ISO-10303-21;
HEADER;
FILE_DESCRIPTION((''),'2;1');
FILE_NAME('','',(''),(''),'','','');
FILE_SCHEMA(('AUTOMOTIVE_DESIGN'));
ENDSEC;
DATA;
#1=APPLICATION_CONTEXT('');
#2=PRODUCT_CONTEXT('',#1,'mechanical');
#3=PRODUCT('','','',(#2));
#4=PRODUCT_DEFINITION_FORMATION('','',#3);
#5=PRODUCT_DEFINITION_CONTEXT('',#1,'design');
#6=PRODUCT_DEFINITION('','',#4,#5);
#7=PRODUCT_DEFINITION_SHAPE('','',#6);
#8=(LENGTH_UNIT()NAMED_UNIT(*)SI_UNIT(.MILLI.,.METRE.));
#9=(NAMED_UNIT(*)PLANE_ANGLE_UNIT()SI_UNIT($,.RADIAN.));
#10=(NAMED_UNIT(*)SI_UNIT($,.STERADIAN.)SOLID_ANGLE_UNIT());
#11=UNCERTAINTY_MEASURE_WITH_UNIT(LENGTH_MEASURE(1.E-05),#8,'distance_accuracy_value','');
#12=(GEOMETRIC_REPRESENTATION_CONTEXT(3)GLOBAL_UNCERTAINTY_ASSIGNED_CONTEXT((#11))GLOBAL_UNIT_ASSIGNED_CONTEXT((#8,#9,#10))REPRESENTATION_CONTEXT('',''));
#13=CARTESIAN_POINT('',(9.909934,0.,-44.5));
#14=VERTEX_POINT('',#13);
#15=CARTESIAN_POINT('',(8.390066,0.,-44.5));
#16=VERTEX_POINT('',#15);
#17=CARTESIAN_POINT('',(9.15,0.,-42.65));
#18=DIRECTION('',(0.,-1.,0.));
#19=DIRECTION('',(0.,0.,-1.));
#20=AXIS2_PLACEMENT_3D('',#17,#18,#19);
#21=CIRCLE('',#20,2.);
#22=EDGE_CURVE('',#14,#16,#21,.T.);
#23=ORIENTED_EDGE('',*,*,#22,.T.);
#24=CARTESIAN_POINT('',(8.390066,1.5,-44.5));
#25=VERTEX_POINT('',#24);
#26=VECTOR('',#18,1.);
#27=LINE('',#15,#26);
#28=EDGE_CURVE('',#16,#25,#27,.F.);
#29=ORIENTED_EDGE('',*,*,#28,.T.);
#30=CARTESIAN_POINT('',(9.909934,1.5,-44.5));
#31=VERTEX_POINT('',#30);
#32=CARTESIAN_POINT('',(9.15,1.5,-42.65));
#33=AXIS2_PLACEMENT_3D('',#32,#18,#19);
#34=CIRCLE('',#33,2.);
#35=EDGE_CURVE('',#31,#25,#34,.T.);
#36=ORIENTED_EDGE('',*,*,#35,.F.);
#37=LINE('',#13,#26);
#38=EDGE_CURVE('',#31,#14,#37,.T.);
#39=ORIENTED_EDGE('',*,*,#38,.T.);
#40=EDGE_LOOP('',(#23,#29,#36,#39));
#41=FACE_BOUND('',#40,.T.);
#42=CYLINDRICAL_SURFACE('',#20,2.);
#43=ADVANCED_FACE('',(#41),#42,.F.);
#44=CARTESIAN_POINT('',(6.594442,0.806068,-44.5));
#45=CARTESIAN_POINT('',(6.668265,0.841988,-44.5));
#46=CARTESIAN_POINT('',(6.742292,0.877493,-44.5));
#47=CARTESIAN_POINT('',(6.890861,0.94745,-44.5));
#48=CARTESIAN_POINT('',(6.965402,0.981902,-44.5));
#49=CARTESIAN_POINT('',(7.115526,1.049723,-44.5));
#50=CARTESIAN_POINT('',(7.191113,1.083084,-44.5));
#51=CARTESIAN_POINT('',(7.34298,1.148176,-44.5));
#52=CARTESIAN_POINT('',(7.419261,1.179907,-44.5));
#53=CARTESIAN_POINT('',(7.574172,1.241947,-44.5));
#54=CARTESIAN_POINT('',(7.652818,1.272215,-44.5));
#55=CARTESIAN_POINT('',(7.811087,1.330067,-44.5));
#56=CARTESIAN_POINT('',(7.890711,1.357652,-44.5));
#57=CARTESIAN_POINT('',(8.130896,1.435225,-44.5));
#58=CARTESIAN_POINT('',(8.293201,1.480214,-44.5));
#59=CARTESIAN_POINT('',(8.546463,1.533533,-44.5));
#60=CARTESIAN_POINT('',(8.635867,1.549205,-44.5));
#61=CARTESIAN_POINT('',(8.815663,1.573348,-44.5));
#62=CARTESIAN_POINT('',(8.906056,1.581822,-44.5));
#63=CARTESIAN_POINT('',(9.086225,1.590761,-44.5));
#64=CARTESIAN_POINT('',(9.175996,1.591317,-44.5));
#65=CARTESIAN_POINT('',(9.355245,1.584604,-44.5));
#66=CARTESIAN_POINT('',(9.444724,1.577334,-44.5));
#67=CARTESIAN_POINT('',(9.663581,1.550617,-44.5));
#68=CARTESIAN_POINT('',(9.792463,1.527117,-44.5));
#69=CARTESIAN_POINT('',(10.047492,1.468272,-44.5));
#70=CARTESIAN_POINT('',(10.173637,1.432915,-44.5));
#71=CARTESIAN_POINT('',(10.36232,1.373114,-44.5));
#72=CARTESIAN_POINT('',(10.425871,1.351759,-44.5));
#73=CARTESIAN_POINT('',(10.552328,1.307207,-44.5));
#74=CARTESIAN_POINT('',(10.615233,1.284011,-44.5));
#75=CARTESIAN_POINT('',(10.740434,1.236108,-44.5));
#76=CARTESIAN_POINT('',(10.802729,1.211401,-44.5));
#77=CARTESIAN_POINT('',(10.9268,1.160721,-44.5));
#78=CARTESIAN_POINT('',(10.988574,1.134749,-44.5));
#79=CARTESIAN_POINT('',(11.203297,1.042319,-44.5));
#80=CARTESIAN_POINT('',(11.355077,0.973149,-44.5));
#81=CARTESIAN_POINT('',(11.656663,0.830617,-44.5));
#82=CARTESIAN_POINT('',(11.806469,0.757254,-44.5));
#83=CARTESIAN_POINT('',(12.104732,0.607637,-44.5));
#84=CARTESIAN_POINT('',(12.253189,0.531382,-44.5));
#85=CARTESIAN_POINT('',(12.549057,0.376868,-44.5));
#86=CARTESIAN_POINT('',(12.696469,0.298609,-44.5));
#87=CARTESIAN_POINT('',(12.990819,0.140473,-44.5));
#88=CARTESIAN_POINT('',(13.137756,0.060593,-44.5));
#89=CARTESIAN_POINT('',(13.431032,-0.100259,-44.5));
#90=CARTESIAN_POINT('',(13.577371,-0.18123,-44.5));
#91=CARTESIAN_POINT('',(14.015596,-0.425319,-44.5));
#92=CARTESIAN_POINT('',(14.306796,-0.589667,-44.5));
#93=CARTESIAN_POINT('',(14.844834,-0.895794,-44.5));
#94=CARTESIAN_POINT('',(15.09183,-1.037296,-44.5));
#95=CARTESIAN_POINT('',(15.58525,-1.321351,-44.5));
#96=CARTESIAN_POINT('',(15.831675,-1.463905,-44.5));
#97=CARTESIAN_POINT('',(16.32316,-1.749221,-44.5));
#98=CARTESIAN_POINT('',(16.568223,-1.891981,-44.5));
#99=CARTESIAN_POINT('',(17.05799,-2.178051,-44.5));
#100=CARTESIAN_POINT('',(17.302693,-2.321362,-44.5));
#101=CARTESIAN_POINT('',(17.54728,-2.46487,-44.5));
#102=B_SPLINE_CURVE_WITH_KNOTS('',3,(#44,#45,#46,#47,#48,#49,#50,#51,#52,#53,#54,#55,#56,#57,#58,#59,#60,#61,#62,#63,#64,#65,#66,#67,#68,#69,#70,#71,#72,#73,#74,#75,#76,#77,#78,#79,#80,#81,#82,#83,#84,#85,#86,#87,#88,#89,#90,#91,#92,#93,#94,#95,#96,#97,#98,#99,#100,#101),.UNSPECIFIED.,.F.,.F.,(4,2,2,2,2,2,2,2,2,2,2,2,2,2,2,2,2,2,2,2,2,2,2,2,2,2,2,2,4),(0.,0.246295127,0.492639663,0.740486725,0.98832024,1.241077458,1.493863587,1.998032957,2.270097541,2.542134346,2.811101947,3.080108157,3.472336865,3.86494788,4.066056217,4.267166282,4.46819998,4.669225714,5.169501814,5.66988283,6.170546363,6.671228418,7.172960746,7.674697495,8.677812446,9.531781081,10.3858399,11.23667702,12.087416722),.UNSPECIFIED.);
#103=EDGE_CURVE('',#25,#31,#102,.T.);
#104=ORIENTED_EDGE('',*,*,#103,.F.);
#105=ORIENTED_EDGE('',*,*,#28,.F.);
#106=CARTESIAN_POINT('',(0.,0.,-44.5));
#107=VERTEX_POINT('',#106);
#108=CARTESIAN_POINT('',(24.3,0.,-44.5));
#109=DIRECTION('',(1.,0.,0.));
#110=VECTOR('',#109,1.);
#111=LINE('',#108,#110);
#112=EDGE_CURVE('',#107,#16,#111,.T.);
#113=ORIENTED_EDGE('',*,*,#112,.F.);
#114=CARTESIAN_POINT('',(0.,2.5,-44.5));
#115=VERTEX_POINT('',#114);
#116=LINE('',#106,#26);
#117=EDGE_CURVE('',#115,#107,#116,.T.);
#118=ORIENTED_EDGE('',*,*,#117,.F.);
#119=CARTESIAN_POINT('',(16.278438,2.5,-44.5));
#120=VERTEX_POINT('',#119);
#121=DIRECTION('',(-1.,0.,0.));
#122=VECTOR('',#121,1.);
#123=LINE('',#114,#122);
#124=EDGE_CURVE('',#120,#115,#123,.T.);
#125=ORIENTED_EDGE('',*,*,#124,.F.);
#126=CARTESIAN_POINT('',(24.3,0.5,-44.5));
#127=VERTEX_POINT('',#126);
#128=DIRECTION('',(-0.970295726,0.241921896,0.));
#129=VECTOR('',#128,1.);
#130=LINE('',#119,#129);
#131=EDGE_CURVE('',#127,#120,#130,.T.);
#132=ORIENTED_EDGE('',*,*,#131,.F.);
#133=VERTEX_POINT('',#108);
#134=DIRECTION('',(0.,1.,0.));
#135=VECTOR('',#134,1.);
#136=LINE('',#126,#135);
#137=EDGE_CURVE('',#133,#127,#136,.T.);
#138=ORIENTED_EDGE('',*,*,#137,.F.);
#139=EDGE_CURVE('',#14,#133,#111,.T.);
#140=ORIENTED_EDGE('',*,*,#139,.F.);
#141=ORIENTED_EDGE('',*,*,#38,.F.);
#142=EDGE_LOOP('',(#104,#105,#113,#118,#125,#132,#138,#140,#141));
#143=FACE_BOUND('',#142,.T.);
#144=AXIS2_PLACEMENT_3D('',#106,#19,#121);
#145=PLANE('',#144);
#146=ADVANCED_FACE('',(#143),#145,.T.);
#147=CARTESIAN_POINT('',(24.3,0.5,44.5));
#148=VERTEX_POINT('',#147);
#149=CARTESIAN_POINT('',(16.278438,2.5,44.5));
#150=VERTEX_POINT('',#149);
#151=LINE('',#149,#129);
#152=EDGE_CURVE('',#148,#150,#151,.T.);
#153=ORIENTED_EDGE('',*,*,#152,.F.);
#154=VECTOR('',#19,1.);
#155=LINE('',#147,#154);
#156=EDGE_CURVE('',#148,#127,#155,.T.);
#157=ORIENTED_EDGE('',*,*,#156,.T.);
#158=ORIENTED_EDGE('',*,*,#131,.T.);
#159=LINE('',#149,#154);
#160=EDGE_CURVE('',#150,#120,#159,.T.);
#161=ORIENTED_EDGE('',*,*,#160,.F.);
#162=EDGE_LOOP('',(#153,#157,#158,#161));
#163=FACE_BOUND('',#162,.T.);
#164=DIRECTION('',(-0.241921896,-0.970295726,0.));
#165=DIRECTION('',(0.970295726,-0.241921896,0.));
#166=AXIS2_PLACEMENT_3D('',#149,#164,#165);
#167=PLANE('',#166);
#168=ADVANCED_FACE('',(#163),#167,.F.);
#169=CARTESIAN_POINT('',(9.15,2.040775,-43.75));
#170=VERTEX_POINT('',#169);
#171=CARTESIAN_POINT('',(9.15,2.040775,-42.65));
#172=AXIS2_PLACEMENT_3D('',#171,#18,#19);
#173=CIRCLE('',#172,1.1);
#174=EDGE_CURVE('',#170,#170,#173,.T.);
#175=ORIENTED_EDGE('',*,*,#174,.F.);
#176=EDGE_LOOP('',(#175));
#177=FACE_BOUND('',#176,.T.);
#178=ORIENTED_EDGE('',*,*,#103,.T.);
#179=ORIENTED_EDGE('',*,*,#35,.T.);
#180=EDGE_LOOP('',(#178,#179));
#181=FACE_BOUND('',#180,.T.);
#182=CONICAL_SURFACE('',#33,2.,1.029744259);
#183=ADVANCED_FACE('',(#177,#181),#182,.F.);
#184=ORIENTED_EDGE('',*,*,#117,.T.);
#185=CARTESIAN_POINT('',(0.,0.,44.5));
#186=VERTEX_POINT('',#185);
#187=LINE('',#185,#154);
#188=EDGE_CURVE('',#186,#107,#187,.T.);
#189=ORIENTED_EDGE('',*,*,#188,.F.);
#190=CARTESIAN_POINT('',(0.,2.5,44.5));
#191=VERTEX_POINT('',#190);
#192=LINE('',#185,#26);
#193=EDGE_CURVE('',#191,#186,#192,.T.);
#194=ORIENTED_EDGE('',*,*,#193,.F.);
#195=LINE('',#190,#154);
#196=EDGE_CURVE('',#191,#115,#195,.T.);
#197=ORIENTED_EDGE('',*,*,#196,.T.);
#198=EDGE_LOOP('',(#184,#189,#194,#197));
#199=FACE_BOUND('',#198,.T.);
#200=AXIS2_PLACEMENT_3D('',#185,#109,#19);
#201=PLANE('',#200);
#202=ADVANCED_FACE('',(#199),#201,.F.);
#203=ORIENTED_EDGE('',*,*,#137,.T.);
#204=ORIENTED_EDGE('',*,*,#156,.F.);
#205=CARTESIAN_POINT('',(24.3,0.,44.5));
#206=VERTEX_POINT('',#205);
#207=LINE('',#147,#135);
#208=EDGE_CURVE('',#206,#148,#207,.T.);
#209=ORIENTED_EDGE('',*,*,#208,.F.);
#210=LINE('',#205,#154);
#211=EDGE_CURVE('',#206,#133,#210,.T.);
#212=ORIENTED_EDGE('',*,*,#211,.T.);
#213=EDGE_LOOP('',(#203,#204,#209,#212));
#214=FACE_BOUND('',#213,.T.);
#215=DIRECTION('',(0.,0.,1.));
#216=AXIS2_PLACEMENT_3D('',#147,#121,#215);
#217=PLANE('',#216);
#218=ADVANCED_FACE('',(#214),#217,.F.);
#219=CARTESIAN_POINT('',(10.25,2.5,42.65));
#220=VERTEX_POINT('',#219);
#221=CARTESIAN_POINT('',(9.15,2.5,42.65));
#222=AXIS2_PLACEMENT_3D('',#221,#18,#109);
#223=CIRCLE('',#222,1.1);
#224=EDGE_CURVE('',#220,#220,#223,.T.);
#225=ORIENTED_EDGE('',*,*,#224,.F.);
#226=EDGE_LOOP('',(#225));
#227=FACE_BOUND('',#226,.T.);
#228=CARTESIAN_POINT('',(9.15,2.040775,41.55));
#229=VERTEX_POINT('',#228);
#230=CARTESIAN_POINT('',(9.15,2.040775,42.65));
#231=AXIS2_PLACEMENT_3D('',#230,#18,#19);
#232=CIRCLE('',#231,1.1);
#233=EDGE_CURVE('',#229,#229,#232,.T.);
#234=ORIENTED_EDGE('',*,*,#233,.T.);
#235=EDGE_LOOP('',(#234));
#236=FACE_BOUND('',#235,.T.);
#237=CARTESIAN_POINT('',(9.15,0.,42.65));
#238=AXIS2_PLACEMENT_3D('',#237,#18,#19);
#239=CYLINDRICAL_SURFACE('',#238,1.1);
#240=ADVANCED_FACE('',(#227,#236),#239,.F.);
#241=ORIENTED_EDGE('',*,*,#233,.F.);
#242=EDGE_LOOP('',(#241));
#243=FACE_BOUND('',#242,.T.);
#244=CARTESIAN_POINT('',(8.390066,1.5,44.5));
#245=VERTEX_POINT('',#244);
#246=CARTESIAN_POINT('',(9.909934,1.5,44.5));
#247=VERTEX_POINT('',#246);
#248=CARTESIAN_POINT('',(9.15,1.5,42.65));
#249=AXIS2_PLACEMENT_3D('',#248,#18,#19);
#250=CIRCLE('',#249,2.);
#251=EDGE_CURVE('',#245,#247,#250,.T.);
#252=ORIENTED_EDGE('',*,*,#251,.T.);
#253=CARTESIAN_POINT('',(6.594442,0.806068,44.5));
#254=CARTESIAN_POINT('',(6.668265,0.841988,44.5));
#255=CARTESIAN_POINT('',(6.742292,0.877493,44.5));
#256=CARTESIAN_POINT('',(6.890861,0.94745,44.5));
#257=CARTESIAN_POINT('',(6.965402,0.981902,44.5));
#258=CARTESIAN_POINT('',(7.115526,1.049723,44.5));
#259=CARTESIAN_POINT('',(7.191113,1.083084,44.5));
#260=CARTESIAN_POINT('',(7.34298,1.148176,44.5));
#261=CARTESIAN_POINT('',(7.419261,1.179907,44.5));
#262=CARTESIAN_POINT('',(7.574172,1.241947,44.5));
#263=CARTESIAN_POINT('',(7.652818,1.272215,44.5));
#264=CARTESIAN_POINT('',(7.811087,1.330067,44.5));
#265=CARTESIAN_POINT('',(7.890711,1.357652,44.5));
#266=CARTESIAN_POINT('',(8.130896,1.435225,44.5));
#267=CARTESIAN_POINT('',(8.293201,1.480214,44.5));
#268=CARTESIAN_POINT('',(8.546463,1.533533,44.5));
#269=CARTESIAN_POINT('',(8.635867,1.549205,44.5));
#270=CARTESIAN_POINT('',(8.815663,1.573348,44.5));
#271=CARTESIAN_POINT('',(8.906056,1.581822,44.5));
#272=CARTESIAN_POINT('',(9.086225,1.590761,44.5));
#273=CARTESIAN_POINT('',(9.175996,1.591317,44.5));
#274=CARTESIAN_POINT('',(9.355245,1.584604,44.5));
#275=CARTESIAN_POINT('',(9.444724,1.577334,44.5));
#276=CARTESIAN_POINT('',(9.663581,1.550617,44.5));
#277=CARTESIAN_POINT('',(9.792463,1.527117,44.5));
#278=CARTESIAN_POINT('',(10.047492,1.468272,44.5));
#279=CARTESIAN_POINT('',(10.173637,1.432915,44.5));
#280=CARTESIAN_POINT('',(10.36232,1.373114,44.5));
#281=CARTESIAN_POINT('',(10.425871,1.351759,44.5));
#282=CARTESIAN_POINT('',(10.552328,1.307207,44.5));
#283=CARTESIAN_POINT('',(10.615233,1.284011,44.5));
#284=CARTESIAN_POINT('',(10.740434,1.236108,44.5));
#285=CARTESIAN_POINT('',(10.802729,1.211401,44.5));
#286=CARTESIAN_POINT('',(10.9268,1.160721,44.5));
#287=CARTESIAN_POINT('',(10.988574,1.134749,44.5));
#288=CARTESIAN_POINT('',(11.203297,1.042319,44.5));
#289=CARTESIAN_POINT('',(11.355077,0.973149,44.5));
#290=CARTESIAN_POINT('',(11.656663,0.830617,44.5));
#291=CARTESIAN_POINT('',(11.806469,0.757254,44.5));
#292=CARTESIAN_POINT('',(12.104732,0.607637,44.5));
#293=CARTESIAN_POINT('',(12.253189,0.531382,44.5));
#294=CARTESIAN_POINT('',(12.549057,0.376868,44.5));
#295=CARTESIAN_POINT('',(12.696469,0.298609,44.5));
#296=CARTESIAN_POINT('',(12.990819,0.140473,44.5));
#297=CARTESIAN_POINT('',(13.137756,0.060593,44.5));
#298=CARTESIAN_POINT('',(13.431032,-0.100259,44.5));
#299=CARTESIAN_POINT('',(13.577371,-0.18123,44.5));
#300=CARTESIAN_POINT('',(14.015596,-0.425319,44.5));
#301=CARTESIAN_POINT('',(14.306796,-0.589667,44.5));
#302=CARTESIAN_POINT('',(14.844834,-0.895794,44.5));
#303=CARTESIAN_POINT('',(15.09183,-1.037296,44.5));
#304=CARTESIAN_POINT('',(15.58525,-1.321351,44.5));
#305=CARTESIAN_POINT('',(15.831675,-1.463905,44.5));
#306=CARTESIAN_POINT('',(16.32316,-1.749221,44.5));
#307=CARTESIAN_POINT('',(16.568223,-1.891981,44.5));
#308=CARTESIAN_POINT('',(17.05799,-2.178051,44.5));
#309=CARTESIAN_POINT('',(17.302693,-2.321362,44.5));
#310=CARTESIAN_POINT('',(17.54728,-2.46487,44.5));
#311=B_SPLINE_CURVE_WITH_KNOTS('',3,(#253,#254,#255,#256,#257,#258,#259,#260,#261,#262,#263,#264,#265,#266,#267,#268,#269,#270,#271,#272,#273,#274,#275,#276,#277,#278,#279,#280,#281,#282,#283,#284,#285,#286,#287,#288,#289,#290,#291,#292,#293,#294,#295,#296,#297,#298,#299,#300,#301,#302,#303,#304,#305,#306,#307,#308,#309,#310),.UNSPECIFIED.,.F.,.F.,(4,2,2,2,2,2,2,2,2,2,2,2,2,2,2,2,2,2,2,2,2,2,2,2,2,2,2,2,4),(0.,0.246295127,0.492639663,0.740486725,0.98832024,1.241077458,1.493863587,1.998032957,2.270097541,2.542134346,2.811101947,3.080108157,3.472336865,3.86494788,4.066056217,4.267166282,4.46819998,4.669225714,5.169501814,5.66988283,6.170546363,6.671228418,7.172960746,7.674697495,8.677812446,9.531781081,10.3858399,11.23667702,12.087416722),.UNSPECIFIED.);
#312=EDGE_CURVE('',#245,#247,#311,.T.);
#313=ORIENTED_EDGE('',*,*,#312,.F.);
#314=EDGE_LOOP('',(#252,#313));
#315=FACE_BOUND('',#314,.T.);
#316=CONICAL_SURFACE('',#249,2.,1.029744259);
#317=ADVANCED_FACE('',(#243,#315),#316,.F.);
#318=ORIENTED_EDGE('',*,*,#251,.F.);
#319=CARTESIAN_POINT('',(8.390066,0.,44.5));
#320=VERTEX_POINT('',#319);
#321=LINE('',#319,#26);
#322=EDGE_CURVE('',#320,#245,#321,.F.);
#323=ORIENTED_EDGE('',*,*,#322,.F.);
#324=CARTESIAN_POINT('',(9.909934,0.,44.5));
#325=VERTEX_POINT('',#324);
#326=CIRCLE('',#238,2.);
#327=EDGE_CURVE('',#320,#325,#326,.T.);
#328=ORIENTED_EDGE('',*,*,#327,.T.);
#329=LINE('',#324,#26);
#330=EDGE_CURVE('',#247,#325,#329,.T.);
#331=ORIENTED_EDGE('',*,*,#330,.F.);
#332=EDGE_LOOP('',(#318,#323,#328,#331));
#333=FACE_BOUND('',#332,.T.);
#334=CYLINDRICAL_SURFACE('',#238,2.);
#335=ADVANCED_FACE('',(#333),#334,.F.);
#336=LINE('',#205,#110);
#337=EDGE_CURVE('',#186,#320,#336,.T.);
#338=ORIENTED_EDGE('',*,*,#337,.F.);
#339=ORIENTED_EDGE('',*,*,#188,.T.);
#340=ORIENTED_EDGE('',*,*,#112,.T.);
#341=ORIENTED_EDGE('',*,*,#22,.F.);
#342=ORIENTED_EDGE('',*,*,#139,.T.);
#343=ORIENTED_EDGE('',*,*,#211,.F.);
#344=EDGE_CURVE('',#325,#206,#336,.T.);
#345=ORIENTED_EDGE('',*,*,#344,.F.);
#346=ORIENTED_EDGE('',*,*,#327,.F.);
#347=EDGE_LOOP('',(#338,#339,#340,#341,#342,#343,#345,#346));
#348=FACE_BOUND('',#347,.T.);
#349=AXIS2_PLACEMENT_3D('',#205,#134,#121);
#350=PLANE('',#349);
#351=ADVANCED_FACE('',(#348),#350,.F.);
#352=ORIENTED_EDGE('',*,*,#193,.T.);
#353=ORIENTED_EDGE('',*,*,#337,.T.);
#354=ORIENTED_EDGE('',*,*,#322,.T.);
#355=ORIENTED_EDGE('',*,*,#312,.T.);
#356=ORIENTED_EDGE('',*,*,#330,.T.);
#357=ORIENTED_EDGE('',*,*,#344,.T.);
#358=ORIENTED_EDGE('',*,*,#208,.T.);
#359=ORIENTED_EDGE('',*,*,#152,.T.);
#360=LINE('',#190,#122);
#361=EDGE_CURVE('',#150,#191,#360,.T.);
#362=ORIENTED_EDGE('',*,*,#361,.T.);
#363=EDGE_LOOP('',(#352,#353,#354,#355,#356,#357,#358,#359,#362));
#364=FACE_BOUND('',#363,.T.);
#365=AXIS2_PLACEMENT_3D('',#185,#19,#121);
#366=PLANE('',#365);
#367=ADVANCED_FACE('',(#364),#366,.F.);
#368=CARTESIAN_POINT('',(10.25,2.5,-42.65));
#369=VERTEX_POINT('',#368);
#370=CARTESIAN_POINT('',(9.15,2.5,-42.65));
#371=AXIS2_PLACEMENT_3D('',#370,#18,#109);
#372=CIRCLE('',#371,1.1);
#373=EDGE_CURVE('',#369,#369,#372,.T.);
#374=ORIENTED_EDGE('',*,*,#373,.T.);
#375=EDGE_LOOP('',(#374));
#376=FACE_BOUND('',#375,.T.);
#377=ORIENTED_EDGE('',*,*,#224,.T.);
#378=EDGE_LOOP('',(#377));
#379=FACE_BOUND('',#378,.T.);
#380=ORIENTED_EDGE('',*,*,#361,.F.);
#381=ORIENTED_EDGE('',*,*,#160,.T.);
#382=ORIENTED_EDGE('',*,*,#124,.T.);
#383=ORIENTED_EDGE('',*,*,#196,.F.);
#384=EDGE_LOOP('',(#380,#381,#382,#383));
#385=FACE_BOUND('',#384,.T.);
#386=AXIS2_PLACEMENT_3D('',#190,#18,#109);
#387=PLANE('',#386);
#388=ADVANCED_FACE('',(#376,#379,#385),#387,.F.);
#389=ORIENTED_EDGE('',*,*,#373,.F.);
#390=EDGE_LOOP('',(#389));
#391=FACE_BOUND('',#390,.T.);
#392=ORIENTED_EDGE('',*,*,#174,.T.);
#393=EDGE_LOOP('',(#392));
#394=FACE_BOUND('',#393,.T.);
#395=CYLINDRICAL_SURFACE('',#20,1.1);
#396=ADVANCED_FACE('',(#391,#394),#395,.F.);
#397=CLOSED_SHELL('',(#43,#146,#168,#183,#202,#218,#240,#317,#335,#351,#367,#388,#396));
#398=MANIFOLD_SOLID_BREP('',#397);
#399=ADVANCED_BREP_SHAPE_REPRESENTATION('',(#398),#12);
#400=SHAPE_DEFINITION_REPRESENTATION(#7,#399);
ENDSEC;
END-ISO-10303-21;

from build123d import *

# Parameters (mm, degrees)
BOSS_EXTRUDE1_DEPTH = 44.5
HOLEWZD2_AT_2_COUNT = 2
HOLEWZD2_AT_2_PITCH = 85.3


with BuildPart() as part:
    # Sketch1 → Boss-Extrude1 (new, symmetric)
    with BuildSketch(Plane.XY):
        Polygon((0, 0), (0, 2.5), (16.278438133, 2.5), (24.3, 0.5), (24.3, 0), align=None)
    extrude(amount=BOSS_EXTRUDE1_DEPTH, both=True)

    # Sketch6 → HoleWzd2 (revolve, cut)
    with BuildSketch(Plane(origin=(9.15, 0, 42.65), x_dir=(0, 0, -1), z_dir=(1, 0, 0))):
        Polygon((0, 0), (0, 2.5), (1.1, 2.5), (1.1, 2.040774557), (2, 1.5), (2, 0), align=None)
    holewzd2 = revolve(axis=Axis((9.15, -6.130023899, 42.65), (0, 1, 0)), mode=Mode.SUBTRACT)

    # HoleWzd2 at 2: HoleWzd2 ×2
    with Locations(*[(0, 0, -i * HOLEWZD2_AT_2_PITCH) for i in range(1, HOLEWZD2_AT_2_COUNT)]):
        add(holewzd2, mode=Mode.SUBTRACT)


solid = part.part
